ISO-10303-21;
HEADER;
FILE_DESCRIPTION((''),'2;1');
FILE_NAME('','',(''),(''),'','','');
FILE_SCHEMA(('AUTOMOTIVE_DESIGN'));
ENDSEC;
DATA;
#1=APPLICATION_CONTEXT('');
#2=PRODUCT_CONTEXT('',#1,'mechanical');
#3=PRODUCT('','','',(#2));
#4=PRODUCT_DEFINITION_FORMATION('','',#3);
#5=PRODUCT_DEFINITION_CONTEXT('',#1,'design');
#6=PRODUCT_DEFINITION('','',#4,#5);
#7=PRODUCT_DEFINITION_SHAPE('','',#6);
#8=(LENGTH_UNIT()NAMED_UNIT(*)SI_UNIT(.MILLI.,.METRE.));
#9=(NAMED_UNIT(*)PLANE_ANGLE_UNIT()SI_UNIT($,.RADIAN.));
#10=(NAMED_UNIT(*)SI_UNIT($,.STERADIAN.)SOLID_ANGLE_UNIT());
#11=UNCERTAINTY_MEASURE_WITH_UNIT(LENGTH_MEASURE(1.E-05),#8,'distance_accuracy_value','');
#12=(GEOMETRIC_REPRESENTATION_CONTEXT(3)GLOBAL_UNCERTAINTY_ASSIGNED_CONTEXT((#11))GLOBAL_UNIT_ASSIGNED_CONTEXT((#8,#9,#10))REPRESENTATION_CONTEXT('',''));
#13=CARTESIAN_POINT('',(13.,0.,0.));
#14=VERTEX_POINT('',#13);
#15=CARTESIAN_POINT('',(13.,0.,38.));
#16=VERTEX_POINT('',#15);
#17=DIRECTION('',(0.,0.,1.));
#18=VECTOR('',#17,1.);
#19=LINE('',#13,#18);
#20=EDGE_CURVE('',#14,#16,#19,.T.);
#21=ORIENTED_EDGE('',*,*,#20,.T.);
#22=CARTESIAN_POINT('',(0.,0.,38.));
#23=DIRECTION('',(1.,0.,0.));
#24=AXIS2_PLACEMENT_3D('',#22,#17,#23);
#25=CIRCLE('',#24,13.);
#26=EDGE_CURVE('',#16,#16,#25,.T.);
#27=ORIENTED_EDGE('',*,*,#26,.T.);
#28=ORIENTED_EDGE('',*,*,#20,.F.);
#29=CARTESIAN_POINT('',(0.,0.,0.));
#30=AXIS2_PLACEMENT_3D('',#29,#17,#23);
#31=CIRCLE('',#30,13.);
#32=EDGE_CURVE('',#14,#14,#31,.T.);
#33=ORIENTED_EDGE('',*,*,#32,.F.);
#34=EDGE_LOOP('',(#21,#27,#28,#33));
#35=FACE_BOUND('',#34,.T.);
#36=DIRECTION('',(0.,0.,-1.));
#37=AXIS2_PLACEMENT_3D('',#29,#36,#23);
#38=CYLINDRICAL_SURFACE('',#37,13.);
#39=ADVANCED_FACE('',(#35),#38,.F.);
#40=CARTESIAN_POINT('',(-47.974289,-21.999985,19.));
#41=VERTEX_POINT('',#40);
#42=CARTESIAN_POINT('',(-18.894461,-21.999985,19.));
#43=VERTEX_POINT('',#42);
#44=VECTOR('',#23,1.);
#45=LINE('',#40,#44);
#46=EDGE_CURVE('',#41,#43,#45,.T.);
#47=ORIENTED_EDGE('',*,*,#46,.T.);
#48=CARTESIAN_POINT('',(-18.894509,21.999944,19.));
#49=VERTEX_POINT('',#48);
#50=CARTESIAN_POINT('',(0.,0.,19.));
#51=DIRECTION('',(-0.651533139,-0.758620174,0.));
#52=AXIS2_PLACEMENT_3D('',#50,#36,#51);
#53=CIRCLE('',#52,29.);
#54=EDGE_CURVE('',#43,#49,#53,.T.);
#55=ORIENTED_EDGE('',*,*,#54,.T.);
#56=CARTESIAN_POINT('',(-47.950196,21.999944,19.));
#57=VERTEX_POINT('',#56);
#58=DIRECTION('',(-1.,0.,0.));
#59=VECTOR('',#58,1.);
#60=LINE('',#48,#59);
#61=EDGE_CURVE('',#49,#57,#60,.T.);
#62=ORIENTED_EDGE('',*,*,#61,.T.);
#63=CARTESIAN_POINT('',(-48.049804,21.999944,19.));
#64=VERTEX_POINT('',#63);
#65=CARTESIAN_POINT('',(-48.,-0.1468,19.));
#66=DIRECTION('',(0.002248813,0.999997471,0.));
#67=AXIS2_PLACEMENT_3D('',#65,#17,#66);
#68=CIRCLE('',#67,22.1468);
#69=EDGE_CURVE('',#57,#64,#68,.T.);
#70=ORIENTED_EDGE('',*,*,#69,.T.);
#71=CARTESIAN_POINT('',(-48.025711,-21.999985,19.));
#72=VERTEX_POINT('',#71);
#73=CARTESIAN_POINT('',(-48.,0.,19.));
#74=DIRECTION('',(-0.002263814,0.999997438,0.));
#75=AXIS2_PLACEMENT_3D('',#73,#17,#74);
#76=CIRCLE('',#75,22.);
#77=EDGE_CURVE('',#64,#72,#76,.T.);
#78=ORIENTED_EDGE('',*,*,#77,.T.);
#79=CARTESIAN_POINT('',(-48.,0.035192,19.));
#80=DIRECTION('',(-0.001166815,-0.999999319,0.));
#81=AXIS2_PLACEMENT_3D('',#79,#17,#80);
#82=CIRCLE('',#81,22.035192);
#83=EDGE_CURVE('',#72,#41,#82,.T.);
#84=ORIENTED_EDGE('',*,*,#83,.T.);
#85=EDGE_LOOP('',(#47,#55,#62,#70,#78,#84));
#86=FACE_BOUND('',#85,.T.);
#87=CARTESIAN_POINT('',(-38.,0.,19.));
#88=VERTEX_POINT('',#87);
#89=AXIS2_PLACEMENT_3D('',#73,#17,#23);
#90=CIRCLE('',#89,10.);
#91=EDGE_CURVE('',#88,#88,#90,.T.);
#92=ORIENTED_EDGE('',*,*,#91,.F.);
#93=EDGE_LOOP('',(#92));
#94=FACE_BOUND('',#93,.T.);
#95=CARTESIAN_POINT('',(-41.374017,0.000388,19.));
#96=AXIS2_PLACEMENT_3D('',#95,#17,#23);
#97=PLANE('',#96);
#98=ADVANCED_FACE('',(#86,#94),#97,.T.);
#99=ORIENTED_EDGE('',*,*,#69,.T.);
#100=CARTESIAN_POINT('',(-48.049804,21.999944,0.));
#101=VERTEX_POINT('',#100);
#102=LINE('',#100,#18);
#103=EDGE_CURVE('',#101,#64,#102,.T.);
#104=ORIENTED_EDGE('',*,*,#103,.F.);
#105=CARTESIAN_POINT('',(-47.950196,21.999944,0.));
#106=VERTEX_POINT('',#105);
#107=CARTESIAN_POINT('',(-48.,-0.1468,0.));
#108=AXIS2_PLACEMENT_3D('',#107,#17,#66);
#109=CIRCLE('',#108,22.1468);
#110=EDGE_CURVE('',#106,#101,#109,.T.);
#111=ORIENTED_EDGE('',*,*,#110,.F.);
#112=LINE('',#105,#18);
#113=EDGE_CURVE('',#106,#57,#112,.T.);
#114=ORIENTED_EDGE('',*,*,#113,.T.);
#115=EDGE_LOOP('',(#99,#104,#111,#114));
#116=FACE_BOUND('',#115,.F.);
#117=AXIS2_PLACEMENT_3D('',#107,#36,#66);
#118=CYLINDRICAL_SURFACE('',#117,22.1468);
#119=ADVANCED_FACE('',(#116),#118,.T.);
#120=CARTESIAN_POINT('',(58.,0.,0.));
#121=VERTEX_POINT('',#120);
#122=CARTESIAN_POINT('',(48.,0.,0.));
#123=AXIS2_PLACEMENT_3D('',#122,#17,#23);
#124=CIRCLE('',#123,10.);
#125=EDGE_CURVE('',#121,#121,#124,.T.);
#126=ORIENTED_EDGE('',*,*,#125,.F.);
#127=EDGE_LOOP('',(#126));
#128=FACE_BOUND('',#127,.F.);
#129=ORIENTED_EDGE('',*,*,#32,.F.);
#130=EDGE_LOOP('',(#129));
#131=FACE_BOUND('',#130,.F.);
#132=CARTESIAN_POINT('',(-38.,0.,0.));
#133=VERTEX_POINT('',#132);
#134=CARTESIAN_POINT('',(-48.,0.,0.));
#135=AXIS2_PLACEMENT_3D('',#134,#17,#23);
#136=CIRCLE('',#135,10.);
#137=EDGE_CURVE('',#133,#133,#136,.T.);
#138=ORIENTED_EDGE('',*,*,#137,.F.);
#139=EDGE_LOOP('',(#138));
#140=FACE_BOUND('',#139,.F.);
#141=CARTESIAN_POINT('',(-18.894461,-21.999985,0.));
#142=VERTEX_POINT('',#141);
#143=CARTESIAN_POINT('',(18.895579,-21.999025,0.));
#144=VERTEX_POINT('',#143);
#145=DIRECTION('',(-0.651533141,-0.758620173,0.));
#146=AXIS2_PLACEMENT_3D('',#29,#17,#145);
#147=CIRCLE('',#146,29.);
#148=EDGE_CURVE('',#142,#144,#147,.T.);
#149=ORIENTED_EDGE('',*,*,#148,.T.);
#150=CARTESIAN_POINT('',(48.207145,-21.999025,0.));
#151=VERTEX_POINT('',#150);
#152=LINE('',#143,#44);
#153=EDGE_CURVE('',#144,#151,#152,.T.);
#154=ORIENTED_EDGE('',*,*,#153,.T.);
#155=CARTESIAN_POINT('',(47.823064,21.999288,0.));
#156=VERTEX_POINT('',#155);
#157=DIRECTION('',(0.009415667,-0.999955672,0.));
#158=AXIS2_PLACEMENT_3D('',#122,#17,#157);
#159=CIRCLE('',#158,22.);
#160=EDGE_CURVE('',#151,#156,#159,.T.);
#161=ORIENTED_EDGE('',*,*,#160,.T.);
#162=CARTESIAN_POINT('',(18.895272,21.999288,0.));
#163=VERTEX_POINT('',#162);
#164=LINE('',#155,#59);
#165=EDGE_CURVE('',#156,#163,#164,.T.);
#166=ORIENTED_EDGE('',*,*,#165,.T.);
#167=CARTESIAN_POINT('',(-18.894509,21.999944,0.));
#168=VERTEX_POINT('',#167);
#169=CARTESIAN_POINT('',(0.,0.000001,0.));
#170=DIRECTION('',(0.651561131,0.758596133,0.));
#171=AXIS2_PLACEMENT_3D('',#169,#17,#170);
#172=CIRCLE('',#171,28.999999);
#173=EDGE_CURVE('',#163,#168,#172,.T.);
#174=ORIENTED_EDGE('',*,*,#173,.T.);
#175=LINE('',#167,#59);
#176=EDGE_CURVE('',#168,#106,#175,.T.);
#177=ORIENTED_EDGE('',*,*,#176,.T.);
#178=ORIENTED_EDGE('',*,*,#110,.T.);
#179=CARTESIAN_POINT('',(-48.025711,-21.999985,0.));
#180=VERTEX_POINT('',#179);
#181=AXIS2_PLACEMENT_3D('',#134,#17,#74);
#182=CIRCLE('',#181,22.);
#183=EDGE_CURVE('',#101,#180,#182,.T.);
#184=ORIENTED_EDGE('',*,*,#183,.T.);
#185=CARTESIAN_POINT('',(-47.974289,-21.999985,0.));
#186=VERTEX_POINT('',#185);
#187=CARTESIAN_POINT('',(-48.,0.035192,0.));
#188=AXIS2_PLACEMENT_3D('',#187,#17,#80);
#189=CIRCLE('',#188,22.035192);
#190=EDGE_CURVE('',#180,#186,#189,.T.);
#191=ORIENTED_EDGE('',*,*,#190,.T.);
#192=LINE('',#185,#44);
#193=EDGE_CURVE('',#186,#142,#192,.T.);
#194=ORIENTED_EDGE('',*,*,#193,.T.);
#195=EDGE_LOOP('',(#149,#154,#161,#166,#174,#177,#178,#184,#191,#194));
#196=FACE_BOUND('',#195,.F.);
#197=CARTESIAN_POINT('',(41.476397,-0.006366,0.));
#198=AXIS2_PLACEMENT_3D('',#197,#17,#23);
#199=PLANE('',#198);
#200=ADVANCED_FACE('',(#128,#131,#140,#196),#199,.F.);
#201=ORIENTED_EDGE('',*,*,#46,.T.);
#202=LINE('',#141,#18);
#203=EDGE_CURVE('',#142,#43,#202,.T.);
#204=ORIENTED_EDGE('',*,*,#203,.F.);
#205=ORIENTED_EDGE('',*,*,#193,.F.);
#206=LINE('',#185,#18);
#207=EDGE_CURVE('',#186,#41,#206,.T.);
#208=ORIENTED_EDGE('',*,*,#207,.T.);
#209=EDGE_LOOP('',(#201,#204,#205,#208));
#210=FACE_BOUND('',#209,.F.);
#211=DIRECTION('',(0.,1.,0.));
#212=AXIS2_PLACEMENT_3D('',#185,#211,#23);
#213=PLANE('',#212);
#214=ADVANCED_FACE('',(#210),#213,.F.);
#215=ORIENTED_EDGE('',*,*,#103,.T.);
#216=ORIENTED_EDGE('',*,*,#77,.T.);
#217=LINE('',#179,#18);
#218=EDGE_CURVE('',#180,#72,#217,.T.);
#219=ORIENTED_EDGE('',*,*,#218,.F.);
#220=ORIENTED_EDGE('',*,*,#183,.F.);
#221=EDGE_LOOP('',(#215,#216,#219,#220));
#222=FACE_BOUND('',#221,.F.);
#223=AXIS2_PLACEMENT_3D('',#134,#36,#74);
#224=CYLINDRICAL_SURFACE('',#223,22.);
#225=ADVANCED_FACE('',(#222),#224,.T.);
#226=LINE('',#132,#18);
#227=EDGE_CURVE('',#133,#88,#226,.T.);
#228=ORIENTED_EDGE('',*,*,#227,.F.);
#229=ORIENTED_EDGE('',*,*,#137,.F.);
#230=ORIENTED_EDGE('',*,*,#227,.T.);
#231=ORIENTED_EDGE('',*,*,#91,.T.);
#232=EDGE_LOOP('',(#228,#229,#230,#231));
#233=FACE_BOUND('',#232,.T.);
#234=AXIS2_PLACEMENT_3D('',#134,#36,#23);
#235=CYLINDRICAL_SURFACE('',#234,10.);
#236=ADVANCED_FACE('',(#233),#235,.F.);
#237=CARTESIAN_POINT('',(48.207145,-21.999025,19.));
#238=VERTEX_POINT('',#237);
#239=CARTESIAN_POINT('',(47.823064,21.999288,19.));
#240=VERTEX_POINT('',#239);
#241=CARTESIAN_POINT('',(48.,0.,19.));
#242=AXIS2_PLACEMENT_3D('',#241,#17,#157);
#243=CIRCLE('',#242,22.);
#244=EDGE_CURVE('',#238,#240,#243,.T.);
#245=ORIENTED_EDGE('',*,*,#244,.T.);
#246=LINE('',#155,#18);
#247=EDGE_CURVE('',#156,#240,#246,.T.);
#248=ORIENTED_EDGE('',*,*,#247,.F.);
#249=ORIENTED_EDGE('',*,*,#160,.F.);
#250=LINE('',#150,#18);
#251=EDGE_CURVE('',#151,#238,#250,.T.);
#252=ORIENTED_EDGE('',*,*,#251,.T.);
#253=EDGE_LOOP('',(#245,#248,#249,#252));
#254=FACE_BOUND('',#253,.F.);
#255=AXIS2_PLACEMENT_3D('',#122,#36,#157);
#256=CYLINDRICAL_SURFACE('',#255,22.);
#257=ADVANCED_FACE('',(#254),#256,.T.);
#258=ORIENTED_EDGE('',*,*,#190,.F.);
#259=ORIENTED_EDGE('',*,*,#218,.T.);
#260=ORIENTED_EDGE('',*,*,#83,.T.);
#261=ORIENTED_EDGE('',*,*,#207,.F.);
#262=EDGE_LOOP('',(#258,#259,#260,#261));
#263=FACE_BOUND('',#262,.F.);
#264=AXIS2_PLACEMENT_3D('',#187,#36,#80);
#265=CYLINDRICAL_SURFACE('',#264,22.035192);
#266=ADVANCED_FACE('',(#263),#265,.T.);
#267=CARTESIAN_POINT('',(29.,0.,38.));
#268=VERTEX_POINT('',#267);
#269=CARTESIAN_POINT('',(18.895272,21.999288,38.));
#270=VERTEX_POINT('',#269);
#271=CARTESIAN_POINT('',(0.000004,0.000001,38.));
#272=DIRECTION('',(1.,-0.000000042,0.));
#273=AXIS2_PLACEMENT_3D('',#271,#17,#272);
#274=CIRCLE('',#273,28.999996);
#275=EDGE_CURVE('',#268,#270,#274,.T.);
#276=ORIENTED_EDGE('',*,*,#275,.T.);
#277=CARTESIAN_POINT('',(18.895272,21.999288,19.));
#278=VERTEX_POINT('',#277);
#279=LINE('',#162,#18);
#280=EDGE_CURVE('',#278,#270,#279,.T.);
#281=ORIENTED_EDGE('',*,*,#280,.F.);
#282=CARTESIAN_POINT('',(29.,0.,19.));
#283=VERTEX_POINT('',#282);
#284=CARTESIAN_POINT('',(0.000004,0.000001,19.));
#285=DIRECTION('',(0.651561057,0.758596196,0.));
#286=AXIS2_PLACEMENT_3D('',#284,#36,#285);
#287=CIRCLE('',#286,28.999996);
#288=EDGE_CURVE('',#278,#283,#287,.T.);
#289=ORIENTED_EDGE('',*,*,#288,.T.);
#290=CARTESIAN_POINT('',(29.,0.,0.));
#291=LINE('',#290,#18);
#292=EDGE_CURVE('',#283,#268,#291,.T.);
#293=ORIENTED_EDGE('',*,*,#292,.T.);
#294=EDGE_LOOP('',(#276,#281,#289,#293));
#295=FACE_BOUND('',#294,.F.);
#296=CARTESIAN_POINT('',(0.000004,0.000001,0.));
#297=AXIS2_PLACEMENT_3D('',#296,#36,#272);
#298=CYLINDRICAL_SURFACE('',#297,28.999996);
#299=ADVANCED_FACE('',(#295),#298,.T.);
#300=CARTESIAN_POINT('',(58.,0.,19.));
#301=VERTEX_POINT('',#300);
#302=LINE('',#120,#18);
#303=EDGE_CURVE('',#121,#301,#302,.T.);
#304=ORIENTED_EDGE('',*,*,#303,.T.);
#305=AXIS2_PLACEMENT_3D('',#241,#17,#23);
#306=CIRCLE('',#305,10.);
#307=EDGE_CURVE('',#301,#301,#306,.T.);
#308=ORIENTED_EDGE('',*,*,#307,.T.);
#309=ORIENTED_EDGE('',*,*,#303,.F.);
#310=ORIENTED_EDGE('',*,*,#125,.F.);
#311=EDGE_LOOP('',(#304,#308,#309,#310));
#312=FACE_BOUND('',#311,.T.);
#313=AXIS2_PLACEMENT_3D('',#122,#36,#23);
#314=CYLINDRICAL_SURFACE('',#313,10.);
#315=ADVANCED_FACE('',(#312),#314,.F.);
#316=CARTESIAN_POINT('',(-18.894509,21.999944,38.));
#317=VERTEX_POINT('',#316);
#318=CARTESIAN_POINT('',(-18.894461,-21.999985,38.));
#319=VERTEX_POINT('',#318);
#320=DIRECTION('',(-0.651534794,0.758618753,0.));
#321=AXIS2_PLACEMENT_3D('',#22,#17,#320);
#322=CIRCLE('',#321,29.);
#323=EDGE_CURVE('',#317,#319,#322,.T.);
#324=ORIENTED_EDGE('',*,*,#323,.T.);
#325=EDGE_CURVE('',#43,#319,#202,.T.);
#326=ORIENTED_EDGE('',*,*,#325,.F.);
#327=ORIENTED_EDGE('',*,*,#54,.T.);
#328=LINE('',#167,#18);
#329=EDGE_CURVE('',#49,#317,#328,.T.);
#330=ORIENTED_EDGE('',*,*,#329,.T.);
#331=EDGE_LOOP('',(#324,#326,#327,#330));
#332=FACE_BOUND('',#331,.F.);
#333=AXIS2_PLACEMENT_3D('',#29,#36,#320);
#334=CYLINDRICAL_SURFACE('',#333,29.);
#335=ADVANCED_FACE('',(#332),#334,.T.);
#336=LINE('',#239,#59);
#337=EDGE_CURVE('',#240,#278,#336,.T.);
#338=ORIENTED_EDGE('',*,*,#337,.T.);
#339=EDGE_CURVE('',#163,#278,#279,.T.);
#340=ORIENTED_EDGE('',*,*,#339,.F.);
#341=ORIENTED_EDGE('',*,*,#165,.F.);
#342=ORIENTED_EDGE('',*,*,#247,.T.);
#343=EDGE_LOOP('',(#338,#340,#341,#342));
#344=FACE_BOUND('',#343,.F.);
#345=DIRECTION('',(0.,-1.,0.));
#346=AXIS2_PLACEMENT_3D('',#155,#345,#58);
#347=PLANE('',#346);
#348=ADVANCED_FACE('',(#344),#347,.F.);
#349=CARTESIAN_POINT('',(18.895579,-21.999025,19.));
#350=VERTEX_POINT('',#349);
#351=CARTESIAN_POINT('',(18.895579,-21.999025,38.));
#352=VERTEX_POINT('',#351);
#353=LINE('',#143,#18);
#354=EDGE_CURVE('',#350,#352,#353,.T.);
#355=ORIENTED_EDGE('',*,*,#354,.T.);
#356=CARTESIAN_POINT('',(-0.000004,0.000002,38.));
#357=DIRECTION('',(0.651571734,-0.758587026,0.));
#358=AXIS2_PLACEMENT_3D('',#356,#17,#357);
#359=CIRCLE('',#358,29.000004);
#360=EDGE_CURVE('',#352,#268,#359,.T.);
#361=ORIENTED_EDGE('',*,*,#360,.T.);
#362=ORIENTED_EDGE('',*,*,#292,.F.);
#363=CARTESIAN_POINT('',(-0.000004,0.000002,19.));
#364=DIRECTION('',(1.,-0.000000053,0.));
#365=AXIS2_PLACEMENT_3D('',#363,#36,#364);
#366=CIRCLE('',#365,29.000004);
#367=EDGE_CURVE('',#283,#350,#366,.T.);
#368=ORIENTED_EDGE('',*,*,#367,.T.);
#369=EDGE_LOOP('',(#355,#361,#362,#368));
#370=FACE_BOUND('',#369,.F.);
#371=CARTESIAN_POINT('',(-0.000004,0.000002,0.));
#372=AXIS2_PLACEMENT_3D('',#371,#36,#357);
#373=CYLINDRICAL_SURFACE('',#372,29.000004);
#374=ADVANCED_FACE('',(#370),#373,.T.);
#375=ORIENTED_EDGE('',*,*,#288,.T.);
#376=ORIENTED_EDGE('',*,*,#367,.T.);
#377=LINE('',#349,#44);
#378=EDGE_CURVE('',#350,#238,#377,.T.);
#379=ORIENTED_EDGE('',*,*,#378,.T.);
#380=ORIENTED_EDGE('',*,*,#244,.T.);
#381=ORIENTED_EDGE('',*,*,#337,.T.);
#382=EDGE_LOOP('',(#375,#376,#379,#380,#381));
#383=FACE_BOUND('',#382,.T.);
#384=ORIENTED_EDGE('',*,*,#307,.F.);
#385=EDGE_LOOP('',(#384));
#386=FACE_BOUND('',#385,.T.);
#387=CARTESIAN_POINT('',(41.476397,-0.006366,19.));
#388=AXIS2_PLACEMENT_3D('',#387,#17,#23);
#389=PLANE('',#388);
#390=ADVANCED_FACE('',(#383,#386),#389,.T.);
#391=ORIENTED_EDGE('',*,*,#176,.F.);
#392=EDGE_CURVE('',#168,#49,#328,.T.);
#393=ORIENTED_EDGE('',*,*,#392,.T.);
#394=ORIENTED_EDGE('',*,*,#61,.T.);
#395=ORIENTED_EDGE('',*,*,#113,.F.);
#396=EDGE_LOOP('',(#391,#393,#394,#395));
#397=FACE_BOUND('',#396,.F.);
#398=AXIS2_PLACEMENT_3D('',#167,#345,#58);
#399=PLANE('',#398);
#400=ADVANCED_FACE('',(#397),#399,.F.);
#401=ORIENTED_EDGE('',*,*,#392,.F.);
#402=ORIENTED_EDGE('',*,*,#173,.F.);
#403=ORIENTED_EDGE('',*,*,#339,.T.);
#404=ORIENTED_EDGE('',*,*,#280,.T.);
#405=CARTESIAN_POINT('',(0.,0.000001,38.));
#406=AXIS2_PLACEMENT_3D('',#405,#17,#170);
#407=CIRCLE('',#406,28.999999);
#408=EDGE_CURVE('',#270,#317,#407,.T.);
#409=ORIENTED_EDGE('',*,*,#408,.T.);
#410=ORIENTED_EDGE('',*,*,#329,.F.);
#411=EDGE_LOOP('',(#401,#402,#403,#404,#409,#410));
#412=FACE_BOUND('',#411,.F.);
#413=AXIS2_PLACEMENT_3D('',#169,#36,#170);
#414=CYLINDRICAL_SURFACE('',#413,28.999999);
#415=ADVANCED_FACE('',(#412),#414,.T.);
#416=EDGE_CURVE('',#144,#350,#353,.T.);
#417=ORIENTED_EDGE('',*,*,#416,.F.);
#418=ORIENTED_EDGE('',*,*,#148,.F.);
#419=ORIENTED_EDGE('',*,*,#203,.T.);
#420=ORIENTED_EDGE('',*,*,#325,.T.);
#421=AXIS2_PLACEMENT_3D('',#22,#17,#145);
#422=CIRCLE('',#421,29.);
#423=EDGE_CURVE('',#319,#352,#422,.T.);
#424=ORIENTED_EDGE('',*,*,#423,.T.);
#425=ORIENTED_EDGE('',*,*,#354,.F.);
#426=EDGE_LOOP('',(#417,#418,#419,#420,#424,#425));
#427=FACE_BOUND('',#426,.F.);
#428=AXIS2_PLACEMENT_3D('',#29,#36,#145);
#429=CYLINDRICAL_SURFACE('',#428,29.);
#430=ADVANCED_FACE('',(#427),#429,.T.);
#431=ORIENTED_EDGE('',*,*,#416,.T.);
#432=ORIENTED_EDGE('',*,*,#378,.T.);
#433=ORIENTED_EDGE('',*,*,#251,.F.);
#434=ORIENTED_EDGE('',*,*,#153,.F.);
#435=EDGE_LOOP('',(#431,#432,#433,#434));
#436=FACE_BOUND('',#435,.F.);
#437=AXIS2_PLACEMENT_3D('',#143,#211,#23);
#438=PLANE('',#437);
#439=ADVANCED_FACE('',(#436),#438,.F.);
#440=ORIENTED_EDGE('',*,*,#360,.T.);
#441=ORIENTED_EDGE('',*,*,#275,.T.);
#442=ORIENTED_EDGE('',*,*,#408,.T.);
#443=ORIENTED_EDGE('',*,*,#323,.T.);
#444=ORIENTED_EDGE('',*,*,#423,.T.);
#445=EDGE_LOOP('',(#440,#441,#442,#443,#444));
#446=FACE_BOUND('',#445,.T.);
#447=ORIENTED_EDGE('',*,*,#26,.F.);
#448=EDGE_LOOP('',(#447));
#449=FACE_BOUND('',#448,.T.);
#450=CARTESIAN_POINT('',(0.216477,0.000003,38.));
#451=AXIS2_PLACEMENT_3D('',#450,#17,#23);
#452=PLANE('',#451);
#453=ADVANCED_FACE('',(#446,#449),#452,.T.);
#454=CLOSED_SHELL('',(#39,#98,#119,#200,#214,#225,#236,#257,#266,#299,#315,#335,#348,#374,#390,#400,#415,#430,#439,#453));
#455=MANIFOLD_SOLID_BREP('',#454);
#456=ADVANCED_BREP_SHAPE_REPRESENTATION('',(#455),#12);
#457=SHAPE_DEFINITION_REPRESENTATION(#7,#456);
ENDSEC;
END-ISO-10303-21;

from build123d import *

# Parameters (mm, degrees)
F0_R     = 13
F1_DEPTH = 38
F0_R_2   = 10
F2_DEPTH = 19


with BuildPart() as f1:
    # F0 (on Top) → F1 (new body)
    with BuildSketch(Plane.XY):
        with BuildLine():
            ThreePointArc((18.895579, -21.999025), (26.3531, -12.104301), (29, 0))
            ThreePointArc((29, 0), (26.353016, 12.104485), (18.895272, 21.999288))
            ThreePointArc((18.895272, 21.999288), (0.000503, 29), (-18.894509, 21.999944))
            ThreePointArc((-18.894509, 21.999944), (-29, -3.2e-05), (-18.894461, -21.999985))
            ThreePointArc((-18.894461, -21.999985), (0.000737, -29), (18.895579, -21.999025))
        make_face()
        Circle(F0_R, mode=Mode.SUBTRACT)
    extrude(amount=F1_DEPTH)

    # F0 (on Top) → F2 (join)
    with BuildSketch(Plane.XY):
        with BuildLine():
            ThreePointArc((18.895272, 21.999288), (26.353016, 12.104485), (29, 0))
            ThreePointArc((29, 0), (26.3531, -12.104301), (18.895579, -21.999025))
            Line((18.895579, -21.999025), (47.792855, -21.999025))
            Line((47.792855, -21.999025), (48.207145, -21.999025))
            ThreePointArc((48.207145, -21.999025), (69.999162, 0.192041), (47.823064, 21.999288))
            Line((47.823064, 21.999288), (18.895272, 21.999288))
        make_face()
        with Locations((48, 0)):
            Circle(F0_R_2, mode=Mode.SUBTRACT)
        with BuildLine():
            ThreePointArc((-18.894461, -21.999985), (-29, -3.2e-05), (-18.894509, 21.999944))
            Line((-18.894509, 21.999944), (-47.950196, 21.999944))
            ThreePointArc((-47.950196, 21.999944), (-48, 22), (-48.049804, 21.999944))
            ThreePointArc((-48.049804, 21.999944), (-69.999997, -0.012047), (-48.025711, -21.999985))
            ThreePointArc((-48.025711, -21.999985), (-48, -22), (-47.974289, -21.999985))
            Line((-47.974289, -21.999985), (-18.894461, -21.999985))
        make_face()
        with Locations((-48, 0)):
            Circle(F0_R_2, mode=Mode.SUBTRACT)
    extrude(amount=F2_DEPTH)


solid = f1.part
